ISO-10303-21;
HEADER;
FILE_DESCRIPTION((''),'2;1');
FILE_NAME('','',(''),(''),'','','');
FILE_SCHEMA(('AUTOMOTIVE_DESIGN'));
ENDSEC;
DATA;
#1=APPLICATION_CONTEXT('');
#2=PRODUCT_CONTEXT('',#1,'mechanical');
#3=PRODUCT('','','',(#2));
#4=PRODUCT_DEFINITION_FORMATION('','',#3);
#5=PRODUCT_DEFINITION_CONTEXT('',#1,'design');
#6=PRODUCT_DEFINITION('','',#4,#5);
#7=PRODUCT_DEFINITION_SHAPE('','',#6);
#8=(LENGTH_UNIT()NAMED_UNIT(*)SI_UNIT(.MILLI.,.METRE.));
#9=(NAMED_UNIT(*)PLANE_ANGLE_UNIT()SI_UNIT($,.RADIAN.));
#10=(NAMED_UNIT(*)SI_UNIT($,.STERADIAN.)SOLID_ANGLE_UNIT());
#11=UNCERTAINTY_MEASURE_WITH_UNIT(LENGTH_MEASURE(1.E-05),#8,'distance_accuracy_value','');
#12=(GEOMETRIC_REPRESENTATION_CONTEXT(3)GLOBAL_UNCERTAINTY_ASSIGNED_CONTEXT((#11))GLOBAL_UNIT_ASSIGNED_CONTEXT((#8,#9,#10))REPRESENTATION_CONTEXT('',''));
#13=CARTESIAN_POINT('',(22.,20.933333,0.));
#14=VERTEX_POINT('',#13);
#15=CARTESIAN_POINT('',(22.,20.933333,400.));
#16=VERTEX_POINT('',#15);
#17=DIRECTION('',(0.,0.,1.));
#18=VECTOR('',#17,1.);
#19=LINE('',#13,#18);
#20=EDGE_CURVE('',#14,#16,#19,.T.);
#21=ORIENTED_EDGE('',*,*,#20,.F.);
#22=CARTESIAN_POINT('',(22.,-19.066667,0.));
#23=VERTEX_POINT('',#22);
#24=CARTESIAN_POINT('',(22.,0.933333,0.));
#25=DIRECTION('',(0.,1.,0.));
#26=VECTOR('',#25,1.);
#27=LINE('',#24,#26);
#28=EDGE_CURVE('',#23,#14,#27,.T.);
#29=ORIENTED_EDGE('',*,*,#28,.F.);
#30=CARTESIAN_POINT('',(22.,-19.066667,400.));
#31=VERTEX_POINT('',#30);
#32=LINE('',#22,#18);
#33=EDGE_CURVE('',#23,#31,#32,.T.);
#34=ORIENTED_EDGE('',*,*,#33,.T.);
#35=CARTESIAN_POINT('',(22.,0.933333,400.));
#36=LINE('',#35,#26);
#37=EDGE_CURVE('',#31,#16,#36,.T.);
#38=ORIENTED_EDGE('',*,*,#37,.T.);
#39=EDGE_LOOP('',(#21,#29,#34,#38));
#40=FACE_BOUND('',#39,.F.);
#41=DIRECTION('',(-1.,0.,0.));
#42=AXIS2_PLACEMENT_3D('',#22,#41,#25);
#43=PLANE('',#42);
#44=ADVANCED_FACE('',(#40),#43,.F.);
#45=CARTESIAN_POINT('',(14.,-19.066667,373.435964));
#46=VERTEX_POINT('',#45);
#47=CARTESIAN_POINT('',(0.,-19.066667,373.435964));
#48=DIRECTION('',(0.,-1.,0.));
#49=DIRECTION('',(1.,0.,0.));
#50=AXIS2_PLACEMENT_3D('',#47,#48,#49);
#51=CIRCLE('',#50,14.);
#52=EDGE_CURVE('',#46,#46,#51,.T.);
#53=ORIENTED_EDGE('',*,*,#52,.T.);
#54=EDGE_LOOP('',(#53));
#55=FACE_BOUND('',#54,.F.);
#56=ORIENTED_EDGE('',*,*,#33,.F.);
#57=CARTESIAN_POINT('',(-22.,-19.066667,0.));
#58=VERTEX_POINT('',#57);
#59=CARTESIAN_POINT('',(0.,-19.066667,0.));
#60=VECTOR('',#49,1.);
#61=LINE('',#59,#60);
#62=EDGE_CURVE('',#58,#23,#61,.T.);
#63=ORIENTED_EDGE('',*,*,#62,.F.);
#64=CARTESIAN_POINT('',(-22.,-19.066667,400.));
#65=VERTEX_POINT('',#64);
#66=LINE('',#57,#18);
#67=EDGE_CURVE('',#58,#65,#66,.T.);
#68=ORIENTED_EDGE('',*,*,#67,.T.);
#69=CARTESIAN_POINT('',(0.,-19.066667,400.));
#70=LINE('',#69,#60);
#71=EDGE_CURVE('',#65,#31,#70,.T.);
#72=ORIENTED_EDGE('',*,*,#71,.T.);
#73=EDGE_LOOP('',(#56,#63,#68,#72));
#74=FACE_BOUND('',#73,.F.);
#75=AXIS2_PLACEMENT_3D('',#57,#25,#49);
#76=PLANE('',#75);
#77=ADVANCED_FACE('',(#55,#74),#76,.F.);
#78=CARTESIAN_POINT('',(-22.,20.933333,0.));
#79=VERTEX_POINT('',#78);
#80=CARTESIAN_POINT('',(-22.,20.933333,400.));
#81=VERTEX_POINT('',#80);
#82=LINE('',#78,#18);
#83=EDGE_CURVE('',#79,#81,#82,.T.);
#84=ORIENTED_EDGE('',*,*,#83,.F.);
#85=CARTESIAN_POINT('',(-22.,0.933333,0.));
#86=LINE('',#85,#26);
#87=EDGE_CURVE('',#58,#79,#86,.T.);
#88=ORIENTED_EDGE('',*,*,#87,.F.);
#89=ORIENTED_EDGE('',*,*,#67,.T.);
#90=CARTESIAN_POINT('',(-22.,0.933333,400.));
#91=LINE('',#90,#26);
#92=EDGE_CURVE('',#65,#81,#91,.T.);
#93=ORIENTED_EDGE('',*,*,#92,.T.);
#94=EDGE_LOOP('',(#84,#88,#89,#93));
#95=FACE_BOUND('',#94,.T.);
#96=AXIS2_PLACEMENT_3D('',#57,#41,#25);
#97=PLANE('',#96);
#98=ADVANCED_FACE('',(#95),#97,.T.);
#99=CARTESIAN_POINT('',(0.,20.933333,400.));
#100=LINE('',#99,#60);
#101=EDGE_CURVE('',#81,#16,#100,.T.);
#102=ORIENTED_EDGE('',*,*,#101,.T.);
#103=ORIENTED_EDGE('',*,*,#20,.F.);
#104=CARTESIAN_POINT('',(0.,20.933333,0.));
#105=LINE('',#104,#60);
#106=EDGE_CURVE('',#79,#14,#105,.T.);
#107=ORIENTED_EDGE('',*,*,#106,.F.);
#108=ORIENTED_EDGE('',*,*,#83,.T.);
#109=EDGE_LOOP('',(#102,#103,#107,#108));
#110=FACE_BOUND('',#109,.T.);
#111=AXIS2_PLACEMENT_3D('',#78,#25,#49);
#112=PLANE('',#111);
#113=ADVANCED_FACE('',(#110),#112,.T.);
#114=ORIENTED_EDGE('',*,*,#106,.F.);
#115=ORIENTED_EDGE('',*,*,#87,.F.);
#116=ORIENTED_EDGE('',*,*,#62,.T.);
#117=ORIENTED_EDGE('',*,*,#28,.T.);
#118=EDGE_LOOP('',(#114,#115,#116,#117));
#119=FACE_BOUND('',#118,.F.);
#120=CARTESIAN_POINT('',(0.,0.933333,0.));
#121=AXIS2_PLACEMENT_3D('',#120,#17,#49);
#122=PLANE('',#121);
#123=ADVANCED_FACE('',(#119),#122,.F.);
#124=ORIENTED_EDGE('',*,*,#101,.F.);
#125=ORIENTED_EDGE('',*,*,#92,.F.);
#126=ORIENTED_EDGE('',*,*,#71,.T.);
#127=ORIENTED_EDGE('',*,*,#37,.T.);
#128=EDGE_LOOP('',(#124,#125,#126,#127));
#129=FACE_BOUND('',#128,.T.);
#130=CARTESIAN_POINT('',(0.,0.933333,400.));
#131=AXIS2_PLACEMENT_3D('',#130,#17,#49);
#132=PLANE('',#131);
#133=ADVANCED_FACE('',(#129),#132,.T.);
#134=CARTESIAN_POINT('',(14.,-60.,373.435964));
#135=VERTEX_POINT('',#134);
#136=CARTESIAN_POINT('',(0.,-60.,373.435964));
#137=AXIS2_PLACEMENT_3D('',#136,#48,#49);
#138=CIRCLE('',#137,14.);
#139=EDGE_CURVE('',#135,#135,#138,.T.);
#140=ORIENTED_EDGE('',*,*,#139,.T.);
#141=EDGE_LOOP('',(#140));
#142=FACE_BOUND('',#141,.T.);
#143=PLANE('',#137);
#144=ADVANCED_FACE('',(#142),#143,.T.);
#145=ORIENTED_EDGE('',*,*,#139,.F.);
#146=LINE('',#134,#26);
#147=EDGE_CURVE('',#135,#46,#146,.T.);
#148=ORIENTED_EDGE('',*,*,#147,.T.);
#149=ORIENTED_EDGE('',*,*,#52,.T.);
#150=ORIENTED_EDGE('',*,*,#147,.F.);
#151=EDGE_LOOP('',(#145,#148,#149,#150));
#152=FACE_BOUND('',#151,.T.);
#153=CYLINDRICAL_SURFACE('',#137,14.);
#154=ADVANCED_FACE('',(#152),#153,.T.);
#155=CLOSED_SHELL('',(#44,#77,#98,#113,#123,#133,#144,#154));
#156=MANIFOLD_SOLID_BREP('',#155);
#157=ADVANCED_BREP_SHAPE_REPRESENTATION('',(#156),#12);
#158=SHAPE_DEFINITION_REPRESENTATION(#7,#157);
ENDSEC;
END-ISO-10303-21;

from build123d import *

# Parameters (mm, degrees)
F0_W     = 44
F0_H     = 40
F1_DEPTH = 400
F3_R     = 14
F4_DEPTH = 40.933333


with BuildPart() as f1:
    # F0 (on Top) → F1 (new body)
    with BuildSketch(Plane.XY):
        with Locations((0, 0.933333)):
            Rectangle(F0_W, F0_H)
    extrude(amount=F1_DEPTH)

    # F3 (on offset) → F4 (join, through all)
    with BuildSketch(Plane.XZ.offset(60)):
        with Locations((0, 373.435964)):
            Circle(F3_R)
    extrude(amount=-F4_DEPTH)


solid = f1.part
